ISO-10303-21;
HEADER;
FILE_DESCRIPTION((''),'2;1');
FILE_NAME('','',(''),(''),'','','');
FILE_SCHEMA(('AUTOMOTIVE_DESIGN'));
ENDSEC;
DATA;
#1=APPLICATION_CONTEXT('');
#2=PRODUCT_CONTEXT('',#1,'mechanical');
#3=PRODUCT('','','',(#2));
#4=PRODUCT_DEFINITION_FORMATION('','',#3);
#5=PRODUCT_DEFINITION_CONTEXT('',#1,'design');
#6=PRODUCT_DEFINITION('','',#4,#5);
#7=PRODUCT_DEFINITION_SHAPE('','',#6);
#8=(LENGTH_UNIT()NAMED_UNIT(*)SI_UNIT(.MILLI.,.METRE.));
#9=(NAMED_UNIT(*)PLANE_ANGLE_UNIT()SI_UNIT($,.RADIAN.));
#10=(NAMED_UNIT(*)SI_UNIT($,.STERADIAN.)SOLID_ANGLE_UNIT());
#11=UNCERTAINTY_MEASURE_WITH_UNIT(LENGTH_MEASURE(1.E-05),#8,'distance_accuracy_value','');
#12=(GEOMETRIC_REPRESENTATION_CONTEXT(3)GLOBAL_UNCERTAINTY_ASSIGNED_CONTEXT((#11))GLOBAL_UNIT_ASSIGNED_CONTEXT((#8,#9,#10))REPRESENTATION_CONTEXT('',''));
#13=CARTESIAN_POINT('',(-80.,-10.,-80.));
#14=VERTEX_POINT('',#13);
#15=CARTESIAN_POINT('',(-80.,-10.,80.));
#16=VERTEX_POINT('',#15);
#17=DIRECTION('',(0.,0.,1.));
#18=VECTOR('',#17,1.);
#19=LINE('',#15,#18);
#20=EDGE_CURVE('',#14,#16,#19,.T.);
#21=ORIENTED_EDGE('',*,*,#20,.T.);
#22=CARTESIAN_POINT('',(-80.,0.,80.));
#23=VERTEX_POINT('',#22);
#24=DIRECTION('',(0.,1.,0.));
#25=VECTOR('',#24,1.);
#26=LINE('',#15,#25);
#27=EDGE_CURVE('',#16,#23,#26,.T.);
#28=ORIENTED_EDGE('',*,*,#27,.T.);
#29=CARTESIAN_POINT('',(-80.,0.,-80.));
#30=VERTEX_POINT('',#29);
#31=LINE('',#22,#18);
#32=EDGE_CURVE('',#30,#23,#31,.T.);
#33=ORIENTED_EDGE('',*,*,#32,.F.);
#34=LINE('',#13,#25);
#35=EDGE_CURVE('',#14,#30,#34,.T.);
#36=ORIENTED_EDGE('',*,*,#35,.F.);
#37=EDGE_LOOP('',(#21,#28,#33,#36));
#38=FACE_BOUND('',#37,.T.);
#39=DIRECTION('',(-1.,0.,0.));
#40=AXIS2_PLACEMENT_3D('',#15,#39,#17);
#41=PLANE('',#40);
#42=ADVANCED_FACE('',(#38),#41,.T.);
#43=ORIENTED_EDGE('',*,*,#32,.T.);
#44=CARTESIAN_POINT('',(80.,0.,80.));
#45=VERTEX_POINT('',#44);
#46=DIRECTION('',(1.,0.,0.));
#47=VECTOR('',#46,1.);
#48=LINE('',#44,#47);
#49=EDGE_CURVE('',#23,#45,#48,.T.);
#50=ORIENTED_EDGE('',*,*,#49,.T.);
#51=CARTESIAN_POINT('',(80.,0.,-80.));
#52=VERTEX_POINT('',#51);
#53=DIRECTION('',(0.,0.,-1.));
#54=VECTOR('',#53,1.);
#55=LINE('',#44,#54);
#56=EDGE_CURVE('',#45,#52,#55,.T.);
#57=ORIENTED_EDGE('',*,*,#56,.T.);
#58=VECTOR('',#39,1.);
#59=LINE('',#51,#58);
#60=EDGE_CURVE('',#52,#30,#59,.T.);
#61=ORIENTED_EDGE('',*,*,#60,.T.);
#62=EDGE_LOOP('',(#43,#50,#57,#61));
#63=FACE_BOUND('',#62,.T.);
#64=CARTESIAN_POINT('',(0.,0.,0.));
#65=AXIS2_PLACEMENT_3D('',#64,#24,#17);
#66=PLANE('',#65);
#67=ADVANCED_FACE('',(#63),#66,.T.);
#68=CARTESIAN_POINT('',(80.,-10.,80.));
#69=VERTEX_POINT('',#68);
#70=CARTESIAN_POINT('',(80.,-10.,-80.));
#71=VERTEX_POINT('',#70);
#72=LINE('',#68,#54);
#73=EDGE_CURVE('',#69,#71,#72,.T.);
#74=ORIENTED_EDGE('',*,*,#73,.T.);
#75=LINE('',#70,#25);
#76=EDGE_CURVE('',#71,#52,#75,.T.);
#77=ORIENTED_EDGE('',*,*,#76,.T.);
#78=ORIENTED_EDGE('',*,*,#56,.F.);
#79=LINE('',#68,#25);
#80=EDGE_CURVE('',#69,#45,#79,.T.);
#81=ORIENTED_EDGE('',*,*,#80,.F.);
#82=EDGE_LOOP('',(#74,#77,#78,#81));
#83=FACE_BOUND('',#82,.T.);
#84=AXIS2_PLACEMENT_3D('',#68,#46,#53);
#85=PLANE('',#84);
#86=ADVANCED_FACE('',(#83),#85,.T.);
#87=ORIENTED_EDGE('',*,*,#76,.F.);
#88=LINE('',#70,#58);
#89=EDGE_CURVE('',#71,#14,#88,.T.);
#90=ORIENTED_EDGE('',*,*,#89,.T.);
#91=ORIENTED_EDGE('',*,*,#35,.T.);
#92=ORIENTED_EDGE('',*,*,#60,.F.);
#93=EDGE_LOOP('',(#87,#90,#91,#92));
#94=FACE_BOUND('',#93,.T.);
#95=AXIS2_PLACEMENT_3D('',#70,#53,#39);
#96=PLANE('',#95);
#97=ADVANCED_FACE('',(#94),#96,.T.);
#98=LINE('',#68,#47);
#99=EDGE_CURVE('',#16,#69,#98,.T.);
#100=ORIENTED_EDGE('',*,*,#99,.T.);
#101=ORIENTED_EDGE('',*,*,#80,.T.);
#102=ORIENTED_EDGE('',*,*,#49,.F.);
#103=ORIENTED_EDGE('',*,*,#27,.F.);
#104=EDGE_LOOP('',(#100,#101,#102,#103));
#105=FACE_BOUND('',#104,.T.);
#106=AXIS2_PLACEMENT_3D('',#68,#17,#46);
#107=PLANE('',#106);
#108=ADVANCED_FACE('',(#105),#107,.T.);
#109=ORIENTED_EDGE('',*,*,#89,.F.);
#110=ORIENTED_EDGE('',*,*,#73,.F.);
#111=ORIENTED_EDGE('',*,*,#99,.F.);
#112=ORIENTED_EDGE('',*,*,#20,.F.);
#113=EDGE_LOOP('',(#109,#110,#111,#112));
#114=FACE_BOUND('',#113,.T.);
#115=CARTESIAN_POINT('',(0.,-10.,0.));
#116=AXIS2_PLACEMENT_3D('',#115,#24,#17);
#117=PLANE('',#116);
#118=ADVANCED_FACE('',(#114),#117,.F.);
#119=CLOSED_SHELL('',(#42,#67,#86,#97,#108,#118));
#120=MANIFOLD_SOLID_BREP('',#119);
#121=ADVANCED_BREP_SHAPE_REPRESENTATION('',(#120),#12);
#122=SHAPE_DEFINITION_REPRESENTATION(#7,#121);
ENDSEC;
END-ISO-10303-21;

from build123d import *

# Parameters (mm, degrees)
SKETCH_1_W      = 160
SKETCH_1_H      = 160
EXTRUDE_1_DEPTH = 10


with BuildPart() as part:
    # Эскиз1 → Бобышка-Вытянуть1 (new body)
    with BuildSketch(Plane(origin=(0, 0, 0), x_dir=(1, 0, 0), z_dir=(0, 1, 0))):
        Rectangle(SKETCH_1_W, SKETCH_1_H)
    extrude(amount=-EXTRUDE_1_DEPTH)


solid = part.part
